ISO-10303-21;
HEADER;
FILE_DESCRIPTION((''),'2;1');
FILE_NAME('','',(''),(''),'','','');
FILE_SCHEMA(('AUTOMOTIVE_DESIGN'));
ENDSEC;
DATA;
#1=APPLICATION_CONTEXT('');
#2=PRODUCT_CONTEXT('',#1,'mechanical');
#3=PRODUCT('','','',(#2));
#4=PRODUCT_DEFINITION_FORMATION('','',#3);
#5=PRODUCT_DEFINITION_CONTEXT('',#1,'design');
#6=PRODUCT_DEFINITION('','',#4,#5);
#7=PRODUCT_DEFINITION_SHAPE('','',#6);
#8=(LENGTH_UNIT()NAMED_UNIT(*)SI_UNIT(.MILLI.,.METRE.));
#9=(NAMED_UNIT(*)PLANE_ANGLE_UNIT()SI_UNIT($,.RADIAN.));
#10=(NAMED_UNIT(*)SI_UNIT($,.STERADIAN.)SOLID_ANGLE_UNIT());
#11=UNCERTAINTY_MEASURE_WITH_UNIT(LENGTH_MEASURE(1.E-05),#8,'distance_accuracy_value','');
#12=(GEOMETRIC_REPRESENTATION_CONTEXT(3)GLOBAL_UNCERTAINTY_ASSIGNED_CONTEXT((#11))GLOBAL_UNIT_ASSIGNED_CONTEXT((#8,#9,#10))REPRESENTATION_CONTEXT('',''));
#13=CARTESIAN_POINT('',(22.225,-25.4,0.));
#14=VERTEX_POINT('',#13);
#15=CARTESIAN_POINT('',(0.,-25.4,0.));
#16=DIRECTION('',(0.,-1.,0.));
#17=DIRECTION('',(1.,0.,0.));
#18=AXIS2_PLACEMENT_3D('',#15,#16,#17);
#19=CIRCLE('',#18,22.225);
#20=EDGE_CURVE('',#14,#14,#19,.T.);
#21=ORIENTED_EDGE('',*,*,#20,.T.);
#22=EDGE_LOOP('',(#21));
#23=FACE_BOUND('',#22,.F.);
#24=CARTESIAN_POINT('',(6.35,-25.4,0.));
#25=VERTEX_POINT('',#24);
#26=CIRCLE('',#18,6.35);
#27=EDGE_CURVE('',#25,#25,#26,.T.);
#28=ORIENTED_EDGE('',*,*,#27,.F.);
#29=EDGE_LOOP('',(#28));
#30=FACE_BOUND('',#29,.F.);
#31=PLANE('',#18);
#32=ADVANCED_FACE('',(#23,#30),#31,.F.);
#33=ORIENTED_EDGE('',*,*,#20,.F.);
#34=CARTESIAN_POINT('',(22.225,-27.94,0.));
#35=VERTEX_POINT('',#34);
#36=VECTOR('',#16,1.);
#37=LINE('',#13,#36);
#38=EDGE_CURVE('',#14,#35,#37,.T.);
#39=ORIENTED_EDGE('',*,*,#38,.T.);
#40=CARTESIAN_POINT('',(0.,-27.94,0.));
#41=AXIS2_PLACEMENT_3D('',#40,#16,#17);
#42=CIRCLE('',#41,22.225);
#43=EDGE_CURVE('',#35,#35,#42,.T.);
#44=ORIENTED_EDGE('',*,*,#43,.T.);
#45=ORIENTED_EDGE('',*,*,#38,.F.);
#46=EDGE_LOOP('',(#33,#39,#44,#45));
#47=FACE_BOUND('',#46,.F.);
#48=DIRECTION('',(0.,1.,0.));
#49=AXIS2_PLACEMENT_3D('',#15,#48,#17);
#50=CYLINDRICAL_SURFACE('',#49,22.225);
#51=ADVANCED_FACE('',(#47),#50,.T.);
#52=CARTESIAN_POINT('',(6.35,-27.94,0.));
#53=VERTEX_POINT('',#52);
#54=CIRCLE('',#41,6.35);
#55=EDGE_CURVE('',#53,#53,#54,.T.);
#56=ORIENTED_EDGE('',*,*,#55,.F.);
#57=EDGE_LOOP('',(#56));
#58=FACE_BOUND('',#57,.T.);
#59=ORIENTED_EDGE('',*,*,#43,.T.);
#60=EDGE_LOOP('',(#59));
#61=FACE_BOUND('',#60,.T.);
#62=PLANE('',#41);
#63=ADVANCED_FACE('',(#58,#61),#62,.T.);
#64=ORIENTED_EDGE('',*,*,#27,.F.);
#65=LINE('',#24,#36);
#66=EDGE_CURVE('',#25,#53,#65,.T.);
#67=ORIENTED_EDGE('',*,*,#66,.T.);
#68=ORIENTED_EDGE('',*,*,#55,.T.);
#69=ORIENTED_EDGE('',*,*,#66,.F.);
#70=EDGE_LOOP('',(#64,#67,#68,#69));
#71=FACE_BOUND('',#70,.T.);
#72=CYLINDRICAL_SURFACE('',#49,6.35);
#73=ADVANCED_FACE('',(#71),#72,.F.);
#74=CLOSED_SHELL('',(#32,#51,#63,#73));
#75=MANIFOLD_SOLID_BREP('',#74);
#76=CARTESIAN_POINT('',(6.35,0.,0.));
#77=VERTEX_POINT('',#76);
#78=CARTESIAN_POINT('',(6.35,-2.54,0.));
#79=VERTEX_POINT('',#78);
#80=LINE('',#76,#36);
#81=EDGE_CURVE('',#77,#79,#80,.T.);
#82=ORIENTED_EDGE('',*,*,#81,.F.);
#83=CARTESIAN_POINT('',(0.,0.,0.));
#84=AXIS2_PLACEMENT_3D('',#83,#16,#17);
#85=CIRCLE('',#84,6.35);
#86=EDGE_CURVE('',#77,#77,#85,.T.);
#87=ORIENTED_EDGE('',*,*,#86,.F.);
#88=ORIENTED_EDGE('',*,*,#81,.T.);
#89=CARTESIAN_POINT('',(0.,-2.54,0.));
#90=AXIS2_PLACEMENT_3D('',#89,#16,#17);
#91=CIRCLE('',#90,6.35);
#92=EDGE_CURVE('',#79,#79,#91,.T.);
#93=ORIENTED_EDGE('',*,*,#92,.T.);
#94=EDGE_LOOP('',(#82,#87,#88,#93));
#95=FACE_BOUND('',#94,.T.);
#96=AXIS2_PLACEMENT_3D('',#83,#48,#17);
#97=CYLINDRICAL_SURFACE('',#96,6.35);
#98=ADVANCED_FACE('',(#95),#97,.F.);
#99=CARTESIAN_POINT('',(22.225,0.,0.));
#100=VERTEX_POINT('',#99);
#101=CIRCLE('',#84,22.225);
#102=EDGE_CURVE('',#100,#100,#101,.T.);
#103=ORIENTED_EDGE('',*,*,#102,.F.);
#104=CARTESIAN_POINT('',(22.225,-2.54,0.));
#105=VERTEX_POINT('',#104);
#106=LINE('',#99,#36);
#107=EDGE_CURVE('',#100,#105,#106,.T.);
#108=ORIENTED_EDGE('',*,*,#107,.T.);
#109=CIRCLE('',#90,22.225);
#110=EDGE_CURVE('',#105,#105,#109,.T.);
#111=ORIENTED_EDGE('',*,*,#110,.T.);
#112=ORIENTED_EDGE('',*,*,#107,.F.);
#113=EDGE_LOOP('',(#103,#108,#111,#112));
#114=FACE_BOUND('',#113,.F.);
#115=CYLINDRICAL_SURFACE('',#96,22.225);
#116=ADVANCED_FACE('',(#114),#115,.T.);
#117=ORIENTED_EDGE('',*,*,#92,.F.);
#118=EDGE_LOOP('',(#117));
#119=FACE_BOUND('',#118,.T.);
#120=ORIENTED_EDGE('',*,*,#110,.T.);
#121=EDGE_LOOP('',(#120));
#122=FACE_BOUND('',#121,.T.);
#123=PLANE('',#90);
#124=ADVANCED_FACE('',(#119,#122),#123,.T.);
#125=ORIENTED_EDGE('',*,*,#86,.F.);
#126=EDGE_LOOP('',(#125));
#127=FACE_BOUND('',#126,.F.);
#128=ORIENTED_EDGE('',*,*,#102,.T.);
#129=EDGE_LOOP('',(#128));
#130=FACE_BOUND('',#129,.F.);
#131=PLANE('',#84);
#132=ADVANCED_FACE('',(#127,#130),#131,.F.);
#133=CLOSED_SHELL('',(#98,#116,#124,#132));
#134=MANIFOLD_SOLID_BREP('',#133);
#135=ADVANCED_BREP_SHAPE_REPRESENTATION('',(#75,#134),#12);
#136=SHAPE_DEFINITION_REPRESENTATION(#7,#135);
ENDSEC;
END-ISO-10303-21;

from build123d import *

# Parameters (mm, degrees)
F0_R     = 22.225
F0_R_2   = 6.35
F1_DEPTH = 2.54
F3_R     = 22.225
F3_R_2   = 6.35
F4_DEPTH = 2.54


with BuildPart() as f1:
    # F0 (on Front) → F1 (new body)
    with BuildSketch(Plane.XZ):
        Circle(F0_R)
        Circle(F0_R_2, mode=Mode.SUBTRACT)
    extrude(amount=F1_DEPTH)


with BuildPart() as f4:
    # F3 (on offset) → F4 (new body)
    with BuildSketch(Plane.XZ.offset(25.4)):
        Circle(F3_R)
        Circle(F3_R_2, mode=Mode.SUBTRACT)
    extrude(amount=F4_DEPTH)


solid = Compound([f1.part, f4.part])
